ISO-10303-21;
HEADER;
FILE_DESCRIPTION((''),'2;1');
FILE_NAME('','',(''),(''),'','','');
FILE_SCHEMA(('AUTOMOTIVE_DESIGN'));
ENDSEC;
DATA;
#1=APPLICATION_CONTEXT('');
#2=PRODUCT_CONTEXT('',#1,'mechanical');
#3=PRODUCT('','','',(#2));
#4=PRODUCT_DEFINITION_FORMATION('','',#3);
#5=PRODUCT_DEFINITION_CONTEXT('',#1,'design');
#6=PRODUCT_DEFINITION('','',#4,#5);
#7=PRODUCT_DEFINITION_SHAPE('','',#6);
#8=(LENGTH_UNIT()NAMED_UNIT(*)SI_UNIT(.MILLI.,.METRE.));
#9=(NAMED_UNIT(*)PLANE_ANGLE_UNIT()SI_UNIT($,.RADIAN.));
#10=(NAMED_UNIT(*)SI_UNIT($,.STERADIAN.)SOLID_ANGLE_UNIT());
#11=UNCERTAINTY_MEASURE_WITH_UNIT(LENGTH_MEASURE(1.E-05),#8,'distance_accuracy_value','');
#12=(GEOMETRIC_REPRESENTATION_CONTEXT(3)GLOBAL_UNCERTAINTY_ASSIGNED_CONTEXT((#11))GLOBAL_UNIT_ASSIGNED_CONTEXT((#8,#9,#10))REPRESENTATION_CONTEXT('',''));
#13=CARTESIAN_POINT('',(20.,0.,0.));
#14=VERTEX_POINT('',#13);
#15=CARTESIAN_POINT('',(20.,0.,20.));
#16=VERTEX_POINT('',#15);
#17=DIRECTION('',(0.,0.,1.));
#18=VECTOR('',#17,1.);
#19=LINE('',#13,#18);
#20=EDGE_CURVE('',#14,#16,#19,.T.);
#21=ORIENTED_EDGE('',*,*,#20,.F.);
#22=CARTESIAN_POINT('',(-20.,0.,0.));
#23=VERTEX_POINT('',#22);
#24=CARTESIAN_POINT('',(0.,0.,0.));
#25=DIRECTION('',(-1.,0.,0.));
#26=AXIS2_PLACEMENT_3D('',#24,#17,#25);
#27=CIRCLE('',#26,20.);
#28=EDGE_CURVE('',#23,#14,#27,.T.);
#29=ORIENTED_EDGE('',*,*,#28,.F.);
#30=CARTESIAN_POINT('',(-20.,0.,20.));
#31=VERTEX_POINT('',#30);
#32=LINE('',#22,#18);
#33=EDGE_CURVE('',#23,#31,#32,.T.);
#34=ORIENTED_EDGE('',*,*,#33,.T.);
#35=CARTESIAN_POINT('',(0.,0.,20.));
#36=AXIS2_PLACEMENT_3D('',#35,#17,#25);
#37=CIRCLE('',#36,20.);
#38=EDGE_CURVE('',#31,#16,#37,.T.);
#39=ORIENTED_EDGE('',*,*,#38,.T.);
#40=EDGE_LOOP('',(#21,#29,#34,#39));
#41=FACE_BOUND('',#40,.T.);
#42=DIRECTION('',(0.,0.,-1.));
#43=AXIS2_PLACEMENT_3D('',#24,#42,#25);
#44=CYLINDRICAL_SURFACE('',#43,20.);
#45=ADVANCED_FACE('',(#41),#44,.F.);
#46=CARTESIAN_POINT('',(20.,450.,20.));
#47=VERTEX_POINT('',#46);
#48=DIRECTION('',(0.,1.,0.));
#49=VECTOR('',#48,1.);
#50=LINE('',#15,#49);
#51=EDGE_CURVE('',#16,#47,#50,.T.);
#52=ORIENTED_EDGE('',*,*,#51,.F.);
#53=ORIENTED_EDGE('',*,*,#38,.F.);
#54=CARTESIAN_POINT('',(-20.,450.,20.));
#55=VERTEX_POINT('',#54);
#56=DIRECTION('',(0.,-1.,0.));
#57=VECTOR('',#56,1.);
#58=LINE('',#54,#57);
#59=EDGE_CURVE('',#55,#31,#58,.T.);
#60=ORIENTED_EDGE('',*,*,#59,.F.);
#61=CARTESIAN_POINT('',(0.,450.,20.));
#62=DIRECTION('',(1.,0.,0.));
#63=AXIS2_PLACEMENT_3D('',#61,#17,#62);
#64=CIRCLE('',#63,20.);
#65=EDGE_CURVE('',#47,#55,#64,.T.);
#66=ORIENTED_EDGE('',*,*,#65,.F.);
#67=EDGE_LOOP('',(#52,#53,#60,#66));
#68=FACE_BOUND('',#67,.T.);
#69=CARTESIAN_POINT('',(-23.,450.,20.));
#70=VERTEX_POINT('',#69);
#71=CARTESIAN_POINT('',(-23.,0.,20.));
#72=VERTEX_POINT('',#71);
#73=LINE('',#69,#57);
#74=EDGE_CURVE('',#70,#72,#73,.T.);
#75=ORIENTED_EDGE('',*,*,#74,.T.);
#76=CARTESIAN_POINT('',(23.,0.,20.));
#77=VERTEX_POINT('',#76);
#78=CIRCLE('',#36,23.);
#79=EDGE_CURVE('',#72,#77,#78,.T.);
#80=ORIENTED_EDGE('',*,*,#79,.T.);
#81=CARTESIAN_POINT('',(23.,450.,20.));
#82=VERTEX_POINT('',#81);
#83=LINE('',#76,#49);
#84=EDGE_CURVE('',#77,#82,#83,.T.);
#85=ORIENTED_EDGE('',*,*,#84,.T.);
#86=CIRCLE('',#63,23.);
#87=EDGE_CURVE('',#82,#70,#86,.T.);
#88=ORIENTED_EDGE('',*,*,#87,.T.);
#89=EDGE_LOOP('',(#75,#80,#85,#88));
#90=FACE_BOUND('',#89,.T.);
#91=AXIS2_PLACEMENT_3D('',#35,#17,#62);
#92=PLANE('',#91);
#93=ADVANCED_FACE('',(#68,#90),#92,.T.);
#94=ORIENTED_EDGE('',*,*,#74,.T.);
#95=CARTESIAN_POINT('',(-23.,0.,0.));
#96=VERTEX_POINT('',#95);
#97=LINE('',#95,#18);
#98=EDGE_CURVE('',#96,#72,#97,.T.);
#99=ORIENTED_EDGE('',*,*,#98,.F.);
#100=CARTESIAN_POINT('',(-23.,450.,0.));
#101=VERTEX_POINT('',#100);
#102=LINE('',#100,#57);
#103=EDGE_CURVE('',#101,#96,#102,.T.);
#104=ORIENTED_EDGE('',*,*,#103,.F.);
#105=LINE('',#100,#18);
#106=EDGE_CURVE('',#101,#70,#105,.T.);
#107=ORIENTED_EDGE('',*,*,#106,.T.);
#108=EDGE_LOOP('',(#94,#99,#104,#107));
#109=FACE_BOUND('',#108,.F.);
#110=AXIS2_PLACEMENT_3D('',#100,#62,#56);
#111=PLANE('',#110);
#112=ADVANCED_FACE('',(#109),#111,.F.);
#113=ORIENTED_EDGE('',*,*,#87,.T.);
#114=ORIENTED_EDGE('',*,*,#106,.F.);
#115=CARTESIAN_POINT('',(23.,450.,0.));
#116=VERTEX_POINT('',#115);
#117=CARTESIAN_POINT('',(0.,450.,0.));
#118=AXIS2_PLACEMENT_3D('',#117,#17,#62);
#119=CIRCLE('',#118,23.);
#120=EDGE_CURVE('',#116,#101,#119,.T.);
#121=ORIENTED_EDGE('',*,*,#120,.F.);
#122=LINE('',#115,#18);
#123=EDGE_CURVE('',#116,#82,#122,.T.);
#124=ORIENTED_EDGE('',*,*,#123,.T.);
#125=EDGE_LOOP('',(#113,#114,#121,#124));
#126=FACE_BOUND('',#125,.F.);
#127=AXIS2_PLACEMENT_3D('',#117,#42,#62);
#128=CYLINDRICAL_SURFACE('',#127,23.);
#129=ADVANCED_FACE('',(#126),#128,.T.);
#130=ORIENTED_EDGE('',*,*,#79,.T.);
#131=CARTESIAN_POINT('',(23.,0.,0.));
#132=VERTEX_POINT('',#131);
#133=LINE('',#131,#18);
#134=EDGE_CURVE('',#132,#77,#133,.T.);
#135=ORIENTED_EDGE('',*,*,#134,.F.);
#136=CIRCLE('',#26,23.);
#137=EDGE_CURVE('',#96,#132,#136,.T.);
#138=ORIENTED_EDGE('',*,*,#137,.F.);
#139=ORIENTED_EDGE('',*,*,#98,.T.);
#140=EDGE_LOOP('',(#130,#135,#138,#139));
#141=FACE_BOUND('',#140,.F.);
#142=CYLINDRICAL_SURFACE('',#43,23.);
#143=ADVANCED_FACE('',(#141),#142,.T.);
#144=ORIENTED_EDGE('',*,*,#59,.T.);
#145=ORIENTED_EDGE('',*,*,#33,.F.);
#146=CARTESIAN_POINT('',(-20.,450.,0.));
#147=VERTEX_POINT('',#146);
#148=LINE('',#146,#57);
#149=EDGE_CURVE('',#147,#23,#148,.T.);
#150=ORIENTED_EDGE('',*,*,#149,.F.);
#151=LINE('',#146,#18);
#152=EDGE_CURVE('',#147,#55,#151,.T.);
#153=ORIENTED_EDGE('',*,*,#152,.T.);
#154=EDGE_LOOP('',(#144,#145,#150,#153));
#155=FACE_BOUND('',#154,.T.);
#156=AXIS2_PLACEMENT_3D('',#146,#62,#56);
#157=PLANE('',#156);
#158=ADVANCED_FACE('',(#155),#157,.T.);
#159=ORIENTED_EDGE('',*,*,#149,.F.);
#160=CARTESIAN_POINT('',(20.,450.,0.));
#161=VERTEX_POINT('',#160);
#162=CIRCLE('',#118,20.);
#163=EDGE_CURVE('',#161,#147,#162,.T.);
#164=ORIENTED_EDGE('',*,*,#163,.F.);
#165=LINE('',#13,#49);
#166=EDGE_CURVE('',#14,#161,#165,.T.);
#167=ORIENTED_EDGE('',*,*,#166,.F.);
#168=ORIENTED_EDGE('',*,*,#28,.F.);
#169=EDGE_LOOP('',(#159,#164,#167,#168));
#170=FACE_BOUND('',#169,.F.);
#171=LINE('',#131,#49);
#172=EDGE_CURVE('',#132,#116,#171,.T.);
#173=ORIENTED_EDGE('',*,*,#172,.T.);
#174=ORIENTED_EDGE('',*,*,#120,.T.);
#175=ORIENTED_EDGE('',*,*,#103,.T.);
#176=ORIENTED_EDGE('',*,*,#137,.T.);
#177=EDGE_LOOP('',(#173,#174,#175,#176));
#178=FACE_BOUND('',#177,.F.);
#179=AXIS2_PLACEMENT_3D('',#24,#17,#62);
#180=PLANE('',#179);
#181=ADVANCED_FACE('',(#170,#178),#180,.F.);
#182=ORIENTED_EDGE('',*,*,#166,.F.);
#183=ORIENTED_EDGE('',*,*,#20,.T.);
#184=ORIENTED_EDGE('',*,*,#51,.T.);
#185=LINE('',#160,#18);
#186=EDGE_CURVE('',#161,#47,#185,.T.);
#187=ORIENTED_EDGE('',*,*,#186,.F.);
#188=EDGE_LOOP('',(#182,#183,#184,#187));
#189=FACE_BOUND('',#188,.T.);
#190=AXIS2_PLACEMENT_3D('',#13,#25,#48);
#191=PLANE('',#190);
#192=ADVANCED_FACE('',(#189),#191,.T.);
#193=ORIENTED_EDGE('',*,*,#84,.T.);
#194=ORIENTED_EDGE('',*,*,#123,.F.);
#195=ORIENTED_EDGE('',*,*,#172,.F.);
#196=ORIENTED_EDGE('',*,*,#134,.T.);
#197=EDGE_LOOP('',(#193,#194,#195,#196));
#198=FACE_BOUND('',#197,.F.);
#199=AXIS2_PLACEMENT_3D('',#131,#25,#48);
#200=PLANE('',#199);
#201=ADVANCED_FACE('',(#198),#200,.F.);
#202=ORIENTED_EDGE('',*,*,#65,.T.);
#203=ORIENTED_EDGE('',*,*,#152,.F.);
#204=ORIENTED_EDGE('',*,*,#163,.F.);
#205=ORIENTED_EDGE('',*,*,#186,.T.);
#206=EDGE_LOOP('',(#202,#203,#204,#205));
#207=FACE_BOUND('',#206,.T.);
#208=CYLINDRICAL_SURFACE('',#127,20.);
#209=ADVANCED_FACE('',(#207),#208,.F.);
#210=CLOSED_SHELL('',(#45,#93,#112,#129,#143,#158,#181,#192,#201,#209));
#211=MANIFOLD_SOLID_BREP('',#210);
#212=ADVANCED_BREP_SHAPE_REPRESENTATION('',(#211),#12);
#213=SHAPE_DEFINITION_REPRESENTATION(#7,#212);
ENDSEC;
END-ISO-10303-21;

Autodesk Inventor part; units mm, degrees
ref_plane "YZ Plane" through (0, 0, 0) normal (1, 0, 0) x (0, 1, 0)
ref_plane "XZ Plane" through (0, 0, 0) normal (0, 1, 0) x (-1, 0, 0)
ref_plane "XY Plane" through (0, 0, 0) normal (0, 0, 1) x (1, 0, 0)
sketch "草图5" plane through (0, 0, 0) normal (0, 0, 1) x (1, 0, 0)
  line L0 (0, 0) -> (0, 450) construction
  line L1 (20, 0) -> (20, 450)
  line L2 (-20, 450) -> (-20, 0)
  arc A0 (-20, 0) -> (20, 0) centre (0, 0) ccw
  arc A1 (20, 450) -> (-20, 450) centre (0, 450) ccw
  line L3 (0, 0) -> (450, 0) construction
  line L4 (0, 0) -> (0, 450) construction
  line L5 (23, 0) -> (23, 450)
  line L6 (-23, 450) -> (-23, 0)
  arc A2 (-23, 0) -> (23, 0) centre (0, 0) ccw
  arc A3 (23, 450) -> (-23, 450) centre (0, 450) ccw
  line L7 (0, 0) -> (450, 0) construction
  point P0 (0, 225)
  point P1 (0, 225)
  dimension "d23" = 450
  dimension "d24" = 90
  dimension "d25" = 40
  dimension "d26" = 450
  dimension "d27" = 90
  dimension "d28" = 46
extrude "拉伸4" add sketch "草图5" along normal blind 20
properties part number "皮带"
